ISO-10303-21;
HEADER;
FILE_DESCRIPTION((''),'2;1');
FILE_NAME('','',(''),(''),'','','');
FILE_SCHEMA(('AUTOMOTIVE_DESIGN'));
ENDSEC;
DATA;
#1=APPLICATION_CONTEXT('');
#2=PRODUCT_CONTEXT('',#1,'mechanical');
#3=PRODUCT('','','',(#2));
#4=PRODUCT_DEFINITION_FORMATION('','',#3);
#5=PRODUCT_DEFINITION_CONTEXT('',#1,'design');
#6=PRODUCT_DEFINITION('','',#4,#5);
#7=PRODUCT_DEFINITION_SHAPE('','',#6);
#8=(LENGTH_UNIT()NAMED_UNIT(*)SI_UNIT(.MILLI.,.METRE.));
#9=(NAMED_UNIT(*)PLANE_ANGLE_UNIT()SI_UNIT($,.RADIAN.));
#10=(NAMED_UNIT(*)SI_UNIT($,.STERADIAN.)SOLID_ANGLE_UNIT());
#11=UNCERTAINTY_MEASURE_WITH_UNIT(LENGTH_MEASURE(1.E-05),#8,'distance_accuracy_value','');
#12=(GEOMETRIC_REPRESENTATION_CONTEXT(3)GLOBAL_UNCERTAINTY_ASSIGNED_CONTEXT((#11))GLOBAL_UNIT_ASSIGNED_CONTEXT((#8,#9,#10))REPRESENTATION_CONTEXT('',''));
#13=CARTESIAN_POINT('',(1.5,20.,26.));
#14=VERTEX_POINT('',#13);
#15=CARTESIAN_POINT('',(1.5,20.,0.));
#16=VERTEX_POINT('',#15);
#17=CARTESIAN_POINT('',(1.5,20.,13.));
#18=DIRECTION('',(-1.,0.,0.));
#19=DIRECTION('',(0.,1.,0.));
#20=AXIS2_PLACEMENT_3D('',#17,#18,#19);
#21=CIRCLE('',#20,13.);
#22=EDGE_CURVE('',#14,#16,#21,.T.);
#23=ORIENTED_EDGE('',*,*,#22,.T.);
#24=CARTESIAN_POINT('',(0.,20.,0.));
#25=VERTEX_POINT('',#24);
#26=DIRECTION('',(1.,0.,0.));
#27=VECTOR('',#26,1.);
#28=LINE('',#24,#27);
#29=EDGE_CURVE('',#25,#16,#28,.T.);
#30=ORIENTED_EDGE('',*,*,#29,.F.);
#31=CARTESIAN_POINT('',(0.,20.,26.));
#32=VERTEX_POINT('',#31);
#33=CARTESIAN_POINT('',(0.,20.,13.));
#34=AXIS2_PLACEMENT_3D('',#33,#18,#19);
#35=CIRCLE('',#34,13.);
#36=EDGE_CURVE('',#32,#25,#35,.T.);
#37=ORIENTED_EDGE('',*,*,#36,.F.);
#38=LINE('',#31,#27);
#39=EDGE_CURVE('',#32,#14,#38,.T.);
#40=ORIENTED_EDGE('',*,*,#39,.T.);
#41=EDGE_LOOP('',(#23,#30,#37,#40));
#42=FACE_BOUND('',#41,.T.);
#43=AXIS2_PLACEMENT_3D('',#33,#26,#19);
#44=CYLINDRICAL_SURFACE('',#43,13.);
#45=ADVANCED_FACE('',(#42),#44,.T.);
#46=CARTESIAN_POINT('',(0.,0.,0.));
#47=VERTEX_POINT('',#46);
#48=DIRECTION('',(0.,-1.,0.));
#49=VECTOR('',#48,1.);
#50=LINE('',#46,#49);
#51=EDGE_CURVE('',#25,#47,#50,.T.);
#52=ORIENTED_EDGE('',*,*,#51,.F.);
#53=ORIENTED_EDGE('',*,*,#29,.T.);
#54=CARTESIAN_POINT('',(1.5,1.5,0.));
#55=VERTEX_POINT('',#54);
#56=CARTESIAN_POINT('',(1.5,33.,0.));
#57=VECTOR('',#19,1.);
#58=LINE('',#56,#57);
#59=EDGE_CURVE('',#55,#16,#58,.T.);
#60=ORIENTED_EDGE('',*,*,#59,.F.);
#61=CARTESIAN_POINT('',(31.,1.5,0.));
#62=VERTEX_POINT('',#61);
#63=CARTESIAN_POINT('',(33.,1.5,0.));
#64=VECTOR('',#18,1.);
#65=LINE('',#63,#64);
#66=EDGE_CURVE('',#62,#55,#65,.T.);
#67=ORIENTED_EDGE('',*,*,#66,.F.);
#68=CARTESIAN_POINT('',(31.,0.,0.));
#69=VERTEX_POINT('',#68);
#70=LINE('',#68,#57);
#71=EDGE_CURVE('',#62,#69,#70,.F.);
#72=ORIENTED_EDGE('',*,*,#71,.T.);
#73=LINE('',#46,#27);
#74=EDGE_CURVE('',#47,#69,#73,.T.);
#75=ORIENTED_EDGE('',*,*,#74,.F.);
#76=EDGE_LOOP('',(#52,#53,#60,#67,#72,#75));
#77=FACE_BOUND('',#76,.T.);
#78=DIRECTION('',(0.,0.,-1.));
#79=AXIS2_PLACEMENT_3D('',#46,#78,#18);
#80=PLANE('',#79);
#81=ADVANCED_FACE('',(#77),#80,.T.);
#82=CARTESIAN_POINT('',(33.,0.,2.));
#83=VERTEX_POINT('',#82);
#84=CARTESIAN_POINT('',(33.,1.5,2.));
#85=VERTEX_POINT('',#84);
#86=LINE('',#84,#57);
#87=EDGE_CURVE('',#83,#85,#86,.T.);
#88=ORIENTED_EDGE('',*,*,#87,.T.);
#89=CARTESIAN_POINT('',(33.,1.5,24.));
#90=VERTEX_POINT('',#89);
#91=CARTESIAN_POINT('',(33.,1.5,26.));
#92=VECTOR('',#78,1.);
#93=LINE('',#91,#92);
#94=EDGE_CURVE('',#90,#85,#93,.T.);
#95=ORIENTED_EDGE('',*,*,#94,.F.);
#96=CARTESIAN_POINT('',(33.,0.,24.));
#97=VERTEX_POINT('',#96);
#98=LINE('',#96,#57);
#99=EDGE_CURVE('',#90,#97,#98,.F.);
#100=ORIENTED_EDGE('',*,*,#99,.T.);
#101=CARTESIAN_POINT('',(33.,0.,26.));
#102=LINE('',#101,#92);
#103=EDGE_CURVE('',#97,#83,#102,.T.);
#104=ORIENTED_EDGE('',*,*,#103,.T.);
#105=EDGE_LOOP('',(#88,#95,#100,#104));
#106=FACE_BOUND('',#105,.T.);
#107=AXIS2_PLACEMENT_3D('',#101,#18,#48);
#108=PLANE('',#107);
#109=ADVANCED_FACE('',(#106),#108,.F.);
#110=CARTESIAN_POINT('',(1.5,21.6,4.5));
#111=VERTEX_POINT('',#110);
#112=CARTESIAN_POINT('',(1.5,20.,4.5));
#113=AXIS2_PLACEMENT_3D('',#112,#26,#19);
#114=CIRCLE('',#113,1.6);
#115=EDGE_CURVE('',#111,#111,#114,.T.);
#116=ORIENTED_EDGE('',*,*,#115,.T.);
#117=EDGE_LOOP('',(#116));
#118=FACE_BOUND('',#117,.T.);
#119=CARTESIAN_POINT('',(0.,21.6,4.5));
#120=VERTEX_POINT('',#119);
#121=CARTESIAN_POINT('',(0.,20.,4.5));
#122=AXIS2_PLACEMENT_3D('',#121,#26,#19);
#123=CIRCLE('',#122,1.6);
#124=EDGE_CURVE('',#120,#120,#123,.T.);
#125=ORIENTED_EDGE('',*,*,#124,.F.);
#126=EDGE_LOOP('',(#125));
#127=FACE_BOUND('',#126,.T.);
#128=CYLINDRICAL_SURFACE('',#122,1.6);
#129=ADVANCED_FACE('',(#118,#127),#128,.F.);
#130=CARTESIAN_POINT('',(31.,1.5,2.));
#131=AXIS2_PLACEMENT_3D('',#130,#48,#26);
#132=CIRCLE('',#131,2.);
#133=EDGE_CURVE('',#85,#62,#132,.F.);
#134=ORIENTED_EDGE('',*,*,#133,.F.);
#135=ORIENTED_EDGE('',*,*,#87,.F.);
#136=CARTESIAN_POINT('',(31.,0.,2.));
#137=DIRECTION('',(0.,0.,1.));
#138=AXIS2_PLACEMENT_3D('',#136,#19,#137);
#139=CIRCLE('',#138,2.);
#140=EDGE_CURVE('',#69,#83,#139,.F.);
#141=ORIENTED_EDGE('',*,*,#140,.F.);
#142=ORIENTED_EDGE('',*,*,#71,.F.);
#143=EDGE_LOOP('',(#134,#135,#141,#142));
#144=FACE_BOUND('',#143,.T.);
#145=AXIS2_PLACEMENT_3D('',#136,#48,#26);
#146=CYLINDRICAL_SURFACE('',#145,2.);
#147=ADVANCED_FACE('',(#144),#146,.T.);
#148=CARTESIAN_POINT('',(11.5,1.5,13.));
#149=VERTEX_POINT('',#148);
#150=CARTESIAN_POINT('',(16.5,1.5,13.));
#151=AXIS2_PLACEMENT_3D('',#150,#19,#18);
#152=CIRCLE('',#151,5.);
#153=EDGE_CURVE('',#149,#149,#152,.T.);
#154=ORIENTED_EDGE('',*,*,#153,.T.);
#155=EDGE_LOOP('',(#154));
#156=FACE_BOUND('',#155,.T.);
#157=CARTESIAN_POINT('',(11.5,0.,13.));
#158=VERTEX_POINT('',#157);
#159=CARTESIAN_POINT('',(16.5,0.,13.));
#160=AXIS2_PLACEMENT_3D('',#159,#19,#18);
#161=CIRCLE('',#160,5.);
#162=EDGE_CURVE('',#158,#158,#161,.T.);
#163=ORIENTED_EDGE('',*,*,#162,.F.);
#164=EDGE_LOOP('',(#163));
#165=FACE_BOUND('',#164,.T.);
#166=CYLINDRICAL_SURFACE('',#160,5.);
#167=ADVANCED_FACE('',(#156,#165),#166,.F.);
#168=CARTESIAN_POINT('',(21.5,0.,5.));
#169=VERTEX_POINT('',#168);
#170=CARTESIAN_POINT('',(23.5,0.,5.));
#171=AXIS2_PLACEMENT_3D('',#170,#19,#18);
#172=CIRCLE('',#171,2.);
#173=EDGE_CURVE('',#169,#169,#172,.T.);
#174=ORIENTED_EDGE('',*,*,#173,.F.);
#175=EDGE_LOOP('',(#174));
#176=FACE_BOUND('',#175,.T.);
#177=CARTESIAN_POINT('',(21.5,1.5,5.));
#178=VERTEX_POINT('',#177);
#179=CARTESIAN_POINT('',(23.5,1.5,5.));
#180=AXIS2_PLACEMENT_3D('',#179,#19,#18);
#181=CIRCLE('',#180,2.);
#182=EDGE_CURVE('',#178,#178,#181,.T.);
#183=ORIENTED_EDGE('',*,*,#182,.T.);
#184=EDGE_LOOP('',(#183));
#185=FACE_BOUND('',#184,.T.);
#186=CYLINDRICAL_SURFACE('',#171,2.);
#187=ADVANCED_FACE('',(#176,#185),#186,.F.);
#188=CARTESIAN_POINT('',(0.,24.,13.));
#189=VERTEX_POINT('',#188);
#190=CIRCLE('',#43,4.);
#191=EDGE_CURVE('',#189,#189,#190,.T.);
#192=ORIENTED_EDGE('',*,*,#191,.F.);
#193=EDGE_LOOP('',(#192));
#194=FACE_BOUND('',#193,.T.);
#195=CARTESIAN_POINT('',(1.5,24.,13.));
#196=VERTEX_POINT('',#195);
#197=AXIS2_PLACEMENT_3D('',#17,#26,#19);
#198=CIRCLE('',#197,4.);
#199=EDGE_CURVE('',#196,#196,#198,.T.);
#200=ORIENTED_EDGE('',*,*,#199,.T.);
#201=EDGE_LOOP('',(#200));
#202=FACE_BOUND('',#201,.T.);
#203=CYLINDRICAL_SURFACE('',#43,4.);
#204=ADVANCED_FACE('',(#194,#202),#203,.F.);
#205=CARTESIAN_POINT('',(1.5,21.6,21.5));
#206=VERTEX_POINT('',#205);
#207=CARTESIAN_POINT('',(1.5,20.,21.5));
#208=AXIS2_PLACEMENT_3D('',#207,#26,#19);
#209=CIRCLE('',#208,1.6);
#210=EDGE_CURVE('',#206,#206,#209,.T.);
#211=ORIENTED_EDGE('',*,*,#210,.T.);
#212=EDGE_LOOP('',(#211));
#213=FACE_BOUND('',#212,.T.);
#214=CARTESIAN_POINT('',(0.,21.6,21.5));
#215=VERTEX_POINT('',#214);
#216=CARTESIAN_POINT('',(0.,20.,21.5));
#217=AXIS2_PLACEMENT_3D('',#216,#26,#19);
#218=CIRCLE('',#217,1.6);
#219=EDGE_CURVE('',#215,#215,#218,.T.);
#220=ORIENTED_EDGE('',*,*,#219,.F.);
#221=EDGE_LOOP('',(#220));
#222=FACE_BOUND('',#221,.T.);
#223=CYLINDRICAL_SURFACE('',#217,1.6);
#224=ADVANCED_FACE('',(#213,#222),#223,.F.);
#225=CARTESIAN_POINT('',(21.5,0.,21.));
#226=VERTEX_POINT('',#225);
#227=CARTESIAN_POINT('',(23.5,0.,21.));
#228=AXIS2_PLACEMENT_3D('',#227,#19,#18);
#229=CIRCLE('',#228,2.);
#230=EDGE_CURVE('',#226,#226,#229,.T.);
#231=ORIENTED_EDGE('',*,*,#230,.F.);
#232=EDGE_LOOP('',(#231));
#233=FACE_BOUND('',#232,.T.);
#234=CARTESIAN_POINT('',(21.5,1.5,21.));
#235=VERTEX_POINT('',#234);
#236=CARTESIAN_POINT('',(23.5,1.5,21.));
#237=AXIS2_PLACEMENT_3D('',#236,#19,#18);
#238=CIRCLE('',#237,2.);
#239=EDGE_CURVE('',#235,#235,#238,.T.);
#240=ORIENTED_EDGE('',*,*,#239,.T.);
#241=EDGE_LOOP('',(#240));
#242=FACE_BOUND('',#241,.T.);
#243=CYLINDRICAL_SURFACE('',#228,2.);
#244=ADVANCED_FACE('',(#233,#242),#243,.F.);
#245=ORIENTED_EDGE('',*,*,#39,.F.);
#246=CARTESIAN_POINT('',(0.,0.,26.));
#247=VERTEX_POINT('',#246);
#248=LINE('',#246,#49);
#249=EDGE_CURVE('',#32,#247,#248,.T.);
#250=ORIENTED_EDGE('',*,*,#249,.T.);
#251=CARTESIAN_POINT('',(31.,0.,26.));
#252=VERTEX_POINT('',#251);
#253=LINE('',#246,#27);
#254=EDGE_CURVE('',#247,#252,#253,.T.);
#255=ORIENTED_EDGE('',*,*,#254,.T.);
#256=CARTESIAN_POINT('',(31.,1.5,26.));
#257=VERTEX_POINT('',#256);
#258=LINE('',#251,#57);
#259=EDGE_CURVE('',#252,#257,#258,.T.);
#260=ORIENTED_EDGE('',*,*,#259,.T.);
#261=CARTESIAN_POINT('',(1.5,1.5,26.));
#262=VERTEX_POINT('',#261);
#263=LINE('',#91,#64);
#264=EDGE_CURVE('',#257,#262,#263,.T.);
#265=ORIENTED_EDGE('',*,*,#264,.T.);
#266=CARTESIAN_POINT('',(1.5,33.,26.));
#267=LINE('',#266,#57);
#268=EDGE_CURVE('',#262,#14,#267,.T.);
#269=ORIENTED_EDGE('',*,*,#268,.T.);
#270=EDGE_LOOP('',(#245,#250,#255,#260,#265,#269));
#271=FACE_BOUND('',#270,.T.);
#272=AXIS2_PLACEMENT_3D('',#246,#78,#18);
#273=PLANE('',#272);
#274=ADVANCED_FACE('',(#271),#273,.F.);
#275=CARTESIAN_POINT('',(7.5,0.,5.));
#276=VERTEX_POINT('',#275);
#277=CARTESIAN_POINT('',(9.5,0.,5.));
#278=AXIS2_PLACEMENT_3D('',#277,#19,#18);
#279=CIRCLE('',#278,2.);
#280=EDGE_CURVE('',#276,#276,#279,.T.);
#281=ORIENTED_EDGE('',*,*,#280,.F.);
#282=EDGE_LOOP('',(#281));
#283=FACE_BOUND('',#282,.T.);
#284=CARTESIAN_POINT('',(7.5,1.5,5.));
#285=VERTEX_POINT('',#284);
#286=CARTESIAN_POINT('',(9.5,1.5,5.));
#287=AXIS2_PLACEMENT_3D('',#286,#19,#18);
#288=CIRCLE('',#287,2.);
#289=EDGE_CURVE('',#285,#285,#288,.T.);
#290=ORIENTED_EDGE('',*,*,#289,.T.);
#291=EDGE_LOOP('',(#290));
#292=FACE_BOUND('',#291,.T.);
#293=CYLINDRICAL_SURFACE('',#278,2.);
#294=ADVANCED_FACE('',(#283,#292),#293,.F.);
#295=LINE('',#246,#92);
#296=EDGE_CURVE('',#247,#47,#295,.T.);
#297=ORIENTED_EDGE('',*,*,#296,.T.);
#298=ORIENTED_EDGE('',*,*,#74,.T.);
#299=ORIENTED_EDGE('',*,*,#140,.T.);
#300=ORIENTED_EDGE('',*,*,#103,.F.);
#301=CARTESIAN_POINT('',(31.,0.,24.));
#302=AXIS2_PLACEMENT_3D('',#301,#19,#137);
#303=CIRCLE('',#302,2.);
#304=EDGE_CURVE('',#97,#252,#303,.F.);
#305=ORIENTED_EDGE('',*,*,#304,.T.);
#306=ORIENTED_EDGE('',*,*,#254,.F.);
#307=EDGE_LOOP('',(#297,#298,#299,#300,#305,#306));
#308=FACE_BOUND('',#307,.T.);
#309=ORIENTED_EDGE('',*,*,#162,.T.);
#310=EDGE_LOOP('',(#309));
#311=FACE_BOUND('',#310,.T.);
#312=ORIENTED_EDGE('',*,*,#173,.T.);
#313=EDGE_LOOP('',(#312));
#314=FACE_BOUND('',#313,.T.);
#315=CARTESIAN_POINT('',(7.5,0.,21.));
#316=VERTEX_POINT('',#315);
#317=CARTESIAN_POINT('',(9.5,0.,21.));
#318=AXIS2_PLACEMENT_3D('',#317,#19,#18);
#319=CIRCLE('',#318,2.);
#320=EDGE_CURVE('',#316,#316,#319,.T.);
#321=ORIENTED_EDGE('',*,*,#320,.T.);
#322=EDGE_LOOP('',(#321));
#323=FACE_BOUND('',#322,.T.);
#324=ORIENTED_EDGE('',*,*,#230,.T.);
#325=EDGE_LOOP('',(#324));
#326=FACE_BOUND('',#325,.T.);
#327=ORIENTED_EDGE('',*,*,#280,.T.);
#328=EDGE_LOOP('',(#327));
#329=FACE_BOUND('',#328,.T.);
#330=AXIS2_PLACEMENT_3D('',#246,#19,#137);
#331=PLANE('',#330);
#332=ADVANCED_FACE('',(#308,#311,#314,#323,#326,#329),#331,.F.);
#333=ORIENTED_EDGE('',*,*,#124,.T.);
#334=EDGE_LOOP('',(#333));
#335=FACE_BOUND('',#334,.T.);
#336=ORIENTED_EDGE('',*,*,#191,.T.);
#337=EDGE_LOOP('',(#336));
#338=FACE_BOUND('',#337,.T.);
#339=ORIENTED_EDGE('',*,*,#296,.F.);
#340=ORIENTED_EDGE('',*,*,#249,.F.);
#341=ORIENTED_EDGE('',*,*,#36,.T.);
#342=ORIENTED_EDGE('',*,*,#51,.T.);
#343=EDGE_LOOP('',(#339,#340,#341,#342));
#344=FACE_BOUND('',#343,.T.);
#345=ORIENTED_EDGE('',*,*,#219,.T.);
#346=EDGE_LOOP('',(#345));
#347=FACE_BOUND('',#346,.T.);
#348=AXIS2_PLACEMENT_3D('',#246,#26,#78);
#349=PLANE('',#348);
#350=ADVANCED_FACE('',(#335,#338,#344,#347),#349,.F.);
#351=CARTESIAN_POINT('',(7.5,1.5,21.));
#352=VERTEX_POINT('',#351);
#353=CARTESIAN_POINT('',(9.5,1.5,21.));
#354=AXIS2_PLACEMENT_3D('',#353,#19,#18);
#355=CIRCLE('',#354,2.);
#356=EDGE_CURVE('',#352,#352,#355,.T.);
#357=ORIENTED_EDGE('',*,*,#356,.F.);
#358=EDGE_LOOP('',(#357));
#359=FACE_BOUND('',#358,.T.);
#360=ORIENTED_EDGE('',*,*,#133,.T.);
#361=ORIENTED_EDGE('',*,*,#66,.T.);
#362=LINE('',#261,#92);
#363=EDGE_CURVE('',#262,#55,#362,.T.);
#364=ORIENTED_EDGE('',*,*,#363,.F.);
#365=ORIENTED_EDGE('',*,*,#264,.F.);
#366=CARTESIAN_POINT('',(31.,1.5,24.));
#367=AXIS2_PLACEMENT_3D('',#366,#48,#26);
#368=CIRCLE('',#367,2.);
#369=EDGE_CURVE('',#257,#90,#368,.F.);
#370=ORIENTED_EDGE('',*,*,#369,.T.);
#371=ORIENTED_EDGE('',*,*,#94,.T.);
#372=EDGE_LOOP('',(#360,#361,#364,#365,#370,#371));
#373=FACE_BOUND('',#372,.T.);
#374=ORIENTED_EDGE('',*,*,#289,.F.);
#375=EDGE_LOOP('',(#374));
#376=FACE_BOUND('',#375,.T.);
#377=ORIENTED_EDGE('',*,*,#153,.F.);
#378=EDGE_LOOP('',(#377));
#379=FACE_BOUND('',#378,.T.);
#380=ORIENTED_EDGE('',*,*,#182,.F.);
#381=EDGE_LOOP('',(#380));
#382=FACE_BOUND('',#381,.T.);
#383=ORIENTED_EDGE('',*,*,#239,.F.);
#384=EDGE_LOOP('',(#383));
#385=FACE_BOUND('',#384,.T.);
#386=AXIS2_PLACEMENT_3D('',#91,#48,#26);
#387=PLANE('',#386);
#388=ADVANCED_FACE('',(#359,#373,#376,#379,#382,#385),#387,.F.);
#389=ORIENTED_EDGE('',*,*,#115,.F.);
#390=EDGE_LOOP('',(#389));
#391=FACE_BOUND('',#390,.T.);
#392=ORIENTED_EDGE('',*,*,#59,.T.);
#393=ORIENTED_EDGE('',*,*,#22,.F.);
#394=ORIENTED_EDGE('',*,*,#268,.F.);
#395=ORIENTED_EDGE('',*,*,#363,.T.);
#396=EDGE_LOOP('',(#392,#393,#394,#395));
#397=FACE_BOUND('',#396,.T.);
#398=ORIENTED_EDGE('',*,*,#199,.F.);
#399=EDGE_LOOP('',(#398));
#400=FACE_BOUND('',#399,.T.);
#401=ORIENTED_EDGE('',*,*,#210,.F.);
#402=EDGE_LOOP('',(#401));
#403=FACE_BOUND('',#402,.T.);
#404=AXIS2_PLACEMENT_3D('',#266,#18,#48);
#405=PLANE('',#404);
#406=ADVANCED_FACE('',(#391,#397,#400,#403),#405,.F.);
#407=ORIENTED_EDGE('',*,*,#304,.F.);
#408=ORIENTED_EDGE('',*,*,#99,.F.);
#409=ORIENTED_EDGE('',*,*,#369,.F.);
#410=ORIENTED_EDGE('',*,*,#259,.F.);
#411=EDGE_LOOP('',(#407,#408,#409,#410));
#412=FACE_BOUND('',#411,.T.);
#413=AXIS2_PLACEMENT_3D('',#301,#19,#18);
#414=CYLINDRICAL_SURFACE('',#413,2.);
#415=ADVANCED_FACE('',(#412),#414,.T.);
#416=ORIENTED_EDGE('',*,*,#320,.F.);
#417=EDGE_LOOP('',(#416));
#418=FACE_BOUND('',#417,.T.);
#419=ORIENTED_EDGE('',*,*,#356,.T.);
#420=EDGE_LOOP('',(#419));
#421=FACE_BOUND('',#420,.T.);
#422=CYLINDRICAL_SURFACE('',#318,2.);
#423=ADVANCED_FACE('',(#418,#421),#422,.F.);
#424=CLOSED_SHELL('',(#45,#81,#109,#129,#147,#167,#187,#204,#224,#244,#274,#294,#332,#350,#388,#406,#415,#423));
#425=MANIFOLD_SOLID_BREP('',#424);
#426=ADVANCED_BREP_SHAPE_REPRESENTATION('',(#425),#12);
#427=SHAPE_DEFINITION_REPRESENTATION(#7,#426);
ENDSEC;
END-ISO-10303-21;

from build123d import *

# Parameters (mm, degrees)
BOSS_EXTRUDE1_DEPTH = 26
FILLET1_R           = 2
SKETCH3_R           = 5
SKETCH3_R_2         = 2
CUT_EXTRUDE1_DEPTH  = 53.509522946
SKETCH4_R           = 4
SKETCH4_R_2         = 1.6
CUT_EXTRUDE2_DEPTH  = 53.509522946


with BuildPart() as part:
    # Sketch2 → Boss-Extrude1 (new body)
    with BuildSketch(Plane.XY):
        Polygon((0, 0), (33, 0), (33, 1.5), (1.5, 1.5), (1.5, 33), (0, 33), align=None)
    extrude(amount=BOSS_EXTRUDE1_DEPTH)

    # Fillet1
    fillet1_edges = [part.edges().sort_by_distance(p)[0] for p in [
        (33, 0.75, 26),
        (33, 0.75, 0),
    ]]
    fillet(fillet1_edges, radius=FILLET1_R)

    # Sketch3 → Cut-Extrude1 (cut, through all)
    with BuildSketch(Plane(origin=(0, 1.5, 0), x_dir=(1, 0, 0), z_dir=(0, 1, 0))):
        with Locations(Location((16.5, -13, 0), (0, 0, 180))):
            Circle(SKETCH3_R)
        with Locations(Location((9.5, -5, 0), (0, 0, 180))):
            Circle(SKETCH3_R_2)
        with Locations(Location((23.5, -5, 0), (0, 0, 180))):
            Circle(SKETCH3_R_2)
        with Locations(Location((23.5, -21, 0), (0, 0, 180))):
            Circle(SKETCH3_R_2)
        with Locations(Location((9.5, -21, 0), (0, 0, 180))):
            Circle(SKETCH3_R_2)
    extrude(amount=-CUT_EXTRUDE1_DEPTH, mode=Mode.SUBTRACT)

    # Sketch4 → Cut-Extrude2 (cut, through all)
    with BuildSketch(Plane(origin=(1.5, 0, 0), x_dir=(0, 0, -1), z_dir=(1, 0, 0))):
        with Locations(Location((-13, 20, 0), (0, 0, 90))):
            Circle(SKETCH4_R)
        with Locations(Location((-21.5, 20, 0), (0, 0, 90))):
            Circle(SKETCH4_R_2)
        with Locations(Location((-4.5, 20, 0), (0, 0, 90))):
            Circle(SKETCH4_R_2)
        with BuildLine():
            Line((-26, 20), (-26, 38.59710215))
            Line((-26, 38.59710215), (0, 38.59710215))
            Line((0, 38.59710215), (0, 20))
            ThreePointArc((0, 20), (-13, 33), (-26, 20))
        make_face()
    extrude(amount=-CUT_EXTRUDE2_DEPTH, mode=Mode.SUBTRACT)


solid = part.part
